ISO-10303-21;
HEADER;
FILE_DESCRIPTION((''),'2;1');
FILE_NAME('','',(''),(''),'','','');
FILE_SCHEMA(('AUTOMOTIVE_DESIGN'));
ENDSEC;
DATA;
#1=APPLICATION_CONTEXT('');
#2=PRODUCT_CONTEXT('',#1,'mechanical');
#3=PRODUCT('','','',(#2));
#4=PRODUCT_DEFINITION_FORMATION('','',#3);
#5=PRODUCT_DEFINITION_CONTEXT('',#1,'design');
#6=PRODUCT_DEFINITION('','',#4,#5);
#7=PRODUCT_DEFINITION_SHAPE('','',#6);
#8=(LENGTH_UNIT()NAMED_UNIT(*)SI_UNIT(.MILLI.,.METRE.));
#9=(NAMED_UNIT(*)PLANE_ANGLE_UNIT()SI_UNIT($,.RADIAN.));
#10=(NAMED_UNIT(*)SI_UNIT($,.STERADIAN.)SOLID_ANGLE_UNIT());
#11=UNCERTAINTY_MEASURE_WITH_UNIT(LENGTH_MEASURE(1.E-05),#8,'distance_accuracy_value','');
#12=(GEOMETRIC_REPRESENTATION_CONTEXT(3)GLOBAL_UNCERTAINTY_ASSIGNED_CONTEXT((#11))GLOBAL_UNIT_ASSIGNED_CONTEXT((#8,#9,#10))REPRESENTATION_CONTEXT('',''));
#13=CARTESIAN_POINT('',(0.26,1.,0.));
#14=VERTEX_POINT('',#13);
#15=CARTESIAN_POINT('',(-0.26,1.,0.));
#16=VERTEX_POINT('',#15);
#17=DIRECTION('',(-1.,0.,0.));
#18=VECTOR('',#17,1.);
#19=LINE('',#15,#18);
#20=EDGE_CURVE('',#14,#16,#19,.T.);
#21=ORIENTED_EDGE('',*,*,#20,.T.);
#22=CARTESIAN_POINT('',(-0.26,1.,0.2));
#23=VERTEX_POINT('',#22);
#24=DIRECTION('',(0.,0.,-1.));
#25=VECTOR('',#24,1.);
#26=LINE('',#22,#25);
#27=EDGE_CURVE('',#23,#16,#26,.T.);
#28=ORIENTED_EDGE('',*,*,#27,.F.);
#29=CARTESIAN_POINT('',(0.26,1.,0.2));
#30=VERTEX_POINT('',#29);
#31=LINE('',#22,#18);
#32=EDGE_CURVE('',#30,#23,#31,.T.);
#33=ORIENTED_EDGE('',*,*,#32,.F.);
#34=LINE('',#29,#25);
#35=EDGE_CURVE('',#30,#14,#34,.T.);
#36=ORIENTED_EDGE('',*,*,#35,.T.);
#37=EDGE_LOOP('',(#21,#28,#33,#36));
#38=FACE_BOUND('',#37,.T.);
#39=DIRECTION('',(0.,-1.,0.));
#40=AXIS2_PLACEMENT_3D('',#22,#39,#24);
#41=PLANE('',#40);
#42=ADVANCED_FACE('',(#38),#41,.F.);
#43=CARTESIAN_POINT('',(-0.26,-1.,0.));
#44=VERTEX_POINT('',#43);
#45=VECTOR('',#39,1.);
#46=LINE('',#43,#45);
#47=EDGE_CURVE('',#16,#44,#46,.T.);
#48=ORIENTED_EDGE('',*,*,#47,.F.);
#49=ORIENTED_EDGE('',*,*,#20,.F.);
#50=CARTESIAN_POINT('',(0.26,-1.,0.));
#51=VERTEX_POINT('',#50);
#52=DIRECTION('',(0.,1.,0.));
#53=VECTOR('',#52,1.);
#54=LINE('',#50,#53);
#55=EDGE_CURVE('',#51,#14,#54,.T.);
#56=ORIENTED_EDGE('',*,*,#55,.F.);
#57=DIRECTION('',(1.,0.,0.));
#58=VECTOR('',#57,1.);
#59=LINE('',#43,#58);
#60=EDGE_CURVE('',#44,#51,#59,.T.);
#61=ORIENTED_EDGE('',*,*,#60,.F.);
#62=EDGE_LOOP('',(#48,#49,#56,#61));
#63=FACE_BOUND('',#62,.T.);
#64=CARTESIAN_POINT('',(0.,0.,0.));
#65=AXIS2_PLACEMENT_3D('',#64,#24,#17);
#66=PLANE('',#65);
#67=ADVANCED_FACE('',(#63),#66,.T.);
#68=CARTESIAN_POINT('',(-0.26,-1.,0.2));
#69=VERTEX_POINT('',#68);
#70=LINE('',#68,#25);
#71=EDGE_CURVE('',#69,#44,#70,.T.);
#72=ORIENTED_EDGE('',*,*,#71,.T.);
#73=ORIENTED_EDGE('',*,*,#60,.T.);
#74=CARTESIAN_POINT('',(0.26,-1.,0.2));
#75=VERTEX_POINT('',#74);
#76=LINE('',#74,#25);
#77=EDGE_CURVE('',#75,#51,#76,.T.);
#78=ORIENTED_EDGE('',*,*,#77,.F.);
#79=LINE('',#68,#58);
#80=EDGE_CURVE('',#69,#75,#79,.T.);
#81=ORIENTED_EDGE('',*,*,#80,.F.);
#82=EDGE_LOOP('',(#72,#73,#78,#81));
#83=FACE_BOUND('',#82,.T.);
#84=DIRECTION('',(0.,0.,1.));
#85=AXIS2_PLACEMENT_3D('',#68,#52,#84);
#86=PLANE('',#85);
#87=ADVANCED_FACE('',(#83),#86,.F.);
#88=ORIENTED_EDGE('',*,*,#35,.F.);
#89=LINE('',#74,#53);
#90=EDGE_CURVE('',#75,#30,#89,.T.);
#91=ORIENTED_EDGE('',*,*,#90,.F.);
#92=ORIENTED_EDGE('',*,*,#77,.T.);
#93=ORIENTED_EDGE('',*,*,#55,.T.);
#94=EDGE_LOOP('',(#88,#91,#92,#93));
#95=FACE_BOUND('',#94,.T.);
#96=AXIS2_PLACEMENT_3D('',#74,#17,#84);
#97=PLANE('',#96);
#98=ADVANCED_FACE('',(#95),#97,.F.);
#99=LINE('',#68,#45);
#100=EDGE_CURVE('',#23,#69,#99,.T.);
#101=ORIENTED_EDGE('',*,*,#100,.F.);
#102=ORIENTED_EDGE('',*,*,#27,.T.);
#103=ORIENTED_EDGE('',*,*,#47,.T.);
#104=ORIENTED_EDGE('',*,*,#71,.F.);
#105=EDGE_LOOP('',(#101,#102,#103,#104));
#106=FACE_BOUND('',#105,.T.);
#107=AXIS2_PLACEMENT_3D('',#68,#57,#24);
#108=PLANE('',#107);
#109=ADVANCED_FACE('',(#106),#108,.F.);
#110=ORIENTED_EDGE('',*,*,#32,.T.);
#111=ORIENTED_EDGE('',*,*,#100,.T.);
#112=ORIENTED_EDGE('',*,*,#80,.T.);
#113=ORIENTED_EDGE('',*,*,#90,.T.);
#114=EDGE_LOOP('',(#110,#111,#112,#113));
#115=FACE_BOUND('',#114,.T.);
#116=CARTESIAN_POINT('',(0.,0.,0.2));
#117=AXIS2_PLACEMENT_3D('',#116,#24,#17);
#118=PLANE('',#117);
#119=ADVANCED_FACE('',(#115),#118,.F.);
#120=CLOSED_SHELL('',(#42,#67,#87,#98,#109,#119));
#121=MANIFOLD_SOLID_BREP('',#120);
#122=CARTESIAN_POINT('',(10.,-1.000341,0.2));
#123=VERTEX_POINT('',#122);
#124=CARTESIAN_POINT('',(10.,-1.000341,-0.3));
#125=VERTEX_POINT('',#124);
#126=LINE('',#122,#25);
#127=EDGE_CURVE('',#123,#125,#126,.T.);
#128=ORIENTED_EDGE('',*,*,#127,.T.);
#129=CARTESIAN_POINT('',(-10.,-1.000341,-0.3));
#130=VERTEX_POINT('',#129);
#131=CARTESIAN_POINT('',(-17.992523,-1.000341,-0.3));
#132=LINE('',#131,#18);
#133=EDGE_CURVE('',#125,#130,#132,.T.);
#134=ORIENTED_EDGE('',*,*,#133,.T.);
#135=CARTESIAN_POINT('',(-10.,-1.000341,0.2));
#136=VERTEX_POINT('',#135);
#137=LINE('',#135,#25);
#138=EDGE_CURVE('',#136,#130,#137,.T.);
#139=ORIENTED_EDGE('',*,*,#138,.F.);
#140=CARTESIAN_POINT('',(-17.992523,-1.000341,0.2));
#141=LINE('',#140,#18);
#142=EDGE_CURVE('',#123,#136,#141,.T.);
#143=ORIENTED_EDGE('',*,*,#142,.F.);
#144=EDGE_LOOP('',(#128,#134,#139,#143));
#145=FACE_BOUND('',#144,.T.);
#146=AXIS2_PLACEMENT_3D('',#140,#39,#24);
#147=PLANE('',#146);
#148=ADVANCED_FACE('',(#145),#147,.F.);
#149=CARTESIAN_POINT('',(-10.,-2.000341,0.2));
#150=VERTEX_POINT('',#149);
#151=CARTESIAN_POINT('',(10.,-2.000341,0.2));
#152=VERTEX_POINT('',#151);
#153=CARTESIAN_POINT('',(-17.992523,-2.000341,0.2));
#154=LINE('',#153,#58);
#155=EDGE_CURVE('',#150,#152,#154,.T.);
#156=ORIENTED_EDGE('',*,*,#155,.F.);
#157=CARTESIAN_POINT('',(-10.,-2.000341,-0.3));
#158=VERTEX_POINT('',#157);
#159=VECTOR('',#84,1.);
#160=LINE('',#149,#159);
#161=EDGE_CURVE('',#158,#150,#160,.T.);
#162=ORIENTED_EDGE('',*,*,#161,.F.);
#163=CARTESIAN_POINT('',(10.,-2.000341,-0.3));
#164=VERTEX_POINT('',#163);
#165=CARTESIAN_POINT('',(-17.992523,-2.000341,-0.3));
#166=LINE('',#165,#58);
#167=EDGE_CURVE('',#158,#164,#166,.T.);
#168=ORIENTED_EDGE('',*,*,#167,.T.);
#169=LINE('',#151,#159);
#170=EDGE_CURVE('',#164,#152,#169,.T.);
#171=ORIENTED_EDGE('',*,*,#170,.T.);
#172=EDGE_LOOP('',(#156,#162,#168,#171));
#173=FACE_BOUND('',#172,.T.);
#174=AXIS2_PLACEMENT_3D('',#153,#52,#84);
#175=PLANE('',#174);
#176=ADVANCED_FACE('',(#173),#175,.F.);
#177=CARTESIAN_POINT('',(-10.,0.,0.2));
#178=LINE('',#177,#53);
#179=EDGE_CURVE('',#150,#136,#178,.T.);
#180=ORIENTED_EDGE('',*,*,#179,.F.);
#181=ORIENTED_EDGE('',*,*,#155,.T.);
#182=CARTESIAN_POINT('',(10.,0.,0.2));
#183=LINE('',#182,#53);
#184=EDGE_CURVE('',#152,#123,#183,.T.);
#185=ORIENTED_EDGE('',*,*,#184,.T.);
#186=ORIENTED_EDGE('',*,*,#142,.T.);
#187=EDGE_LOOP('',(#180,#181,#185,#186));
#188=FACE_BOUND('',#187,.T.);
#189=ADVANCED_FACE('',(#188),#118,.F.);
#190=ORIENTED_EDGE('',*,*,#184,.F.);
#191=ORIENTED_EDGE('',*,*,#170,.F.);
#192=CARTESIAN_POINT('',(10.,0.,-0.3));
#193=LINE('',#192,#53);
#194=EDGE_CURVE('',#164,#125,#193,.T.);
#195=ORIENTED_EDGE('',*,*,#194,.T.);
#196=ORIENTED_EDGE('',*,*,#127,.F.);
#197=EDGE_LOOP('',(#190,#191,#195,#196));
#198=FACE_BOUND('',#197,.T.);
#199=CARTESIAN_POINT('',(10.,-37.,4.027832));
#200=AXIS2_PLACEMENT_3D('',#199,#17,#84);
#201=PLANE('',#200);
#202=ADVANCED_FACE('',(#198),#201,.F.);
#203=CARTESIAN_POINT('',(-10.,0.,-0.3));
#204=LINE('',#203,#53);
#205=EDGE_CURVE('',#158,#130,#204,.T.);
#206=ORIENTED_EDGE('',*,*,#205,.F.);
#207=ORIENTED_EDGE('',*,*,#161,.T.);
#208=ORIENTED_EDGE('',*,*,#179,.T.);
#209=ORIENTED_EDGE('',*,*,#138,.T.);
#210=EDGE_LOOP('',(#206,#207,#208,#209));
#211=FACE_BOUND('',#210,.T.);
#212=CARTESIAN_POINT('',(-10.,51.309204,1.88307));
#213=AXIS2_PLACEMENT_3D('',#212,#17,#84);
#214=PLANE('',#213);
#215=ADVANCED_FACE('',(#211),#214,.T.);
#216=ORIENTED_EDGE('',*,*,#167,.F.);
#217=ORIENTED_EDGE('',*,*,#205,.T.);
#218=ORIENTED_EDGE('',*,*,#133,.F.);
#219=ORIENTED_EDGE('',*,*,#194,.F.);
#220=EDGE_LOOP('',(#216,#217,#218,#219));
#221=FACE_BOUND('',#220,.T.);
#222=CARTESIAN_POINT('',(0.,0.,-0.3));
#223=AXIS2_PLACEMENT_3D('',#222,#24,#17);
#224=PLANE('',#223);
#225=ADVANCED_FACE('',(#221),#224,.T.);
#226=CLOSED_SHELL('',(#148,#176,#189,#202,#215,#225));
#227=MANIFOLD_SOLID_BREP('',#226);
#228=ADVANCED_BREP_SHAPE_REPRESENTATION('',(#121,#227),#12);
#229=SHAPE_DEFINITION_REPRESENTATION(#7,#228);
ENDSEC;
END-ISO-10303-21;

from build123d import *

# Parameters (mm, degrees)
SKETCH1_W                = 0.52
SKETCH1_H                = 2
BOSS_EXTRUDE1_DEPTH      = 0.2
BOSS_EXTRUDE2_DEPTH      = 0.2
BOSS_EXTRUDE2_DEPTH_BACK = 0.3
SKETCH2_W                = 36
SKETCH2_H                = 1
SKETCH3_R                = 2
BOSS_EXTRUDE3_DEPTH      = 10
CUT_EXTRUDE1_DEPTH       = 23.1719236
CUT_EXTRUDE1_DEPTH_BACK  = 23.1719236
SKETCH6_W                = 11.789249308
SKETCH6_H                = 12.137764095
CUT_EXTRUDE4_DEPTH       = 37


with BuildPart() as part:
    # Sketch1 → Boss-Extrude1 (new body)
    with BuildSketch(Plane.XY):
        Rectangle(SKETCH1_W, SKETCH1_H)
    extrude(amount=BOSS_EXTRUDE1_DEPTH)


with BuildPart() as body_2:
    # Sketch2 → Boss-Extrude2 (new, two sides: drawn at the far end of the back side and taken through both)
    with BuildSketch(Plane.XY.offset(-BOSS_EXTRUDE2_DEPTH_BACK)):
        with Locations((0.0074775, -1.500340687)):
            Rectangle(SKETCH2_W, SKETCH2_H)
    extrude(amount=BOSS_EXTRUDE2_DEPTH + BOSS_EXTRUDE2_DEPTH_BACK)

    # Sketch3 → Boss-Extrude3 (add)
    with BuildSketch(Plane(origin=(0, -1.000340687, 0), x_dir=(1, 0, 0), z_dir=(0, 1, 0))):
        with Locations((-16.989068611, 1.047708682)):
            Circle(SKETCH3_R)
        with Locations((17.0074775, 1.05)):
            Circle(SKETCH3_R)
    extrude(amount=-BOSS_EXTRUDE3_DEPTH)

    # Sketch4 → Cut-Extrude1 (cut, two sides: drawn at the far end of the back side and taken through both)
    with BuildSketch(Plane(origin=(0, 0, 0), x_dir=(1, 0, 0), z_dir=(0, 1, 0)).offset(-CUT_EXTRUDE1_DEPTH_BACK)):
        Polygon((-10, -70.730973246), (-10, -1.883069964), (-10, 3.894246396), (-10, 72.742149678), (-147.695806565, 72.742149678), (-147.695806565, -70.730973246), align=None)
    extrude(amount=CUT_EXTRUDE1_DEPTH + CUT_EXTRUDE1_DEPTH_BACK, mode=Mode.SUBTRACT)

    # Sketch6 → Cut-Extrude4 (cut)
    with BuildSketch(Plane(origin=(0, 0, 0), x_dir=(1, 0, 0), z_dir=(0, 1, 0))):
        with Locations((15.894624654, 2.041049977)):
            Rectangle(SKETCH6_W, SKETCH6_H)
    extrude(amount=-CUT_EXTRUDE4_DEPTH, mode=Mode.SUBTRACT)


solid = Compound([part.part, body_2.part])
